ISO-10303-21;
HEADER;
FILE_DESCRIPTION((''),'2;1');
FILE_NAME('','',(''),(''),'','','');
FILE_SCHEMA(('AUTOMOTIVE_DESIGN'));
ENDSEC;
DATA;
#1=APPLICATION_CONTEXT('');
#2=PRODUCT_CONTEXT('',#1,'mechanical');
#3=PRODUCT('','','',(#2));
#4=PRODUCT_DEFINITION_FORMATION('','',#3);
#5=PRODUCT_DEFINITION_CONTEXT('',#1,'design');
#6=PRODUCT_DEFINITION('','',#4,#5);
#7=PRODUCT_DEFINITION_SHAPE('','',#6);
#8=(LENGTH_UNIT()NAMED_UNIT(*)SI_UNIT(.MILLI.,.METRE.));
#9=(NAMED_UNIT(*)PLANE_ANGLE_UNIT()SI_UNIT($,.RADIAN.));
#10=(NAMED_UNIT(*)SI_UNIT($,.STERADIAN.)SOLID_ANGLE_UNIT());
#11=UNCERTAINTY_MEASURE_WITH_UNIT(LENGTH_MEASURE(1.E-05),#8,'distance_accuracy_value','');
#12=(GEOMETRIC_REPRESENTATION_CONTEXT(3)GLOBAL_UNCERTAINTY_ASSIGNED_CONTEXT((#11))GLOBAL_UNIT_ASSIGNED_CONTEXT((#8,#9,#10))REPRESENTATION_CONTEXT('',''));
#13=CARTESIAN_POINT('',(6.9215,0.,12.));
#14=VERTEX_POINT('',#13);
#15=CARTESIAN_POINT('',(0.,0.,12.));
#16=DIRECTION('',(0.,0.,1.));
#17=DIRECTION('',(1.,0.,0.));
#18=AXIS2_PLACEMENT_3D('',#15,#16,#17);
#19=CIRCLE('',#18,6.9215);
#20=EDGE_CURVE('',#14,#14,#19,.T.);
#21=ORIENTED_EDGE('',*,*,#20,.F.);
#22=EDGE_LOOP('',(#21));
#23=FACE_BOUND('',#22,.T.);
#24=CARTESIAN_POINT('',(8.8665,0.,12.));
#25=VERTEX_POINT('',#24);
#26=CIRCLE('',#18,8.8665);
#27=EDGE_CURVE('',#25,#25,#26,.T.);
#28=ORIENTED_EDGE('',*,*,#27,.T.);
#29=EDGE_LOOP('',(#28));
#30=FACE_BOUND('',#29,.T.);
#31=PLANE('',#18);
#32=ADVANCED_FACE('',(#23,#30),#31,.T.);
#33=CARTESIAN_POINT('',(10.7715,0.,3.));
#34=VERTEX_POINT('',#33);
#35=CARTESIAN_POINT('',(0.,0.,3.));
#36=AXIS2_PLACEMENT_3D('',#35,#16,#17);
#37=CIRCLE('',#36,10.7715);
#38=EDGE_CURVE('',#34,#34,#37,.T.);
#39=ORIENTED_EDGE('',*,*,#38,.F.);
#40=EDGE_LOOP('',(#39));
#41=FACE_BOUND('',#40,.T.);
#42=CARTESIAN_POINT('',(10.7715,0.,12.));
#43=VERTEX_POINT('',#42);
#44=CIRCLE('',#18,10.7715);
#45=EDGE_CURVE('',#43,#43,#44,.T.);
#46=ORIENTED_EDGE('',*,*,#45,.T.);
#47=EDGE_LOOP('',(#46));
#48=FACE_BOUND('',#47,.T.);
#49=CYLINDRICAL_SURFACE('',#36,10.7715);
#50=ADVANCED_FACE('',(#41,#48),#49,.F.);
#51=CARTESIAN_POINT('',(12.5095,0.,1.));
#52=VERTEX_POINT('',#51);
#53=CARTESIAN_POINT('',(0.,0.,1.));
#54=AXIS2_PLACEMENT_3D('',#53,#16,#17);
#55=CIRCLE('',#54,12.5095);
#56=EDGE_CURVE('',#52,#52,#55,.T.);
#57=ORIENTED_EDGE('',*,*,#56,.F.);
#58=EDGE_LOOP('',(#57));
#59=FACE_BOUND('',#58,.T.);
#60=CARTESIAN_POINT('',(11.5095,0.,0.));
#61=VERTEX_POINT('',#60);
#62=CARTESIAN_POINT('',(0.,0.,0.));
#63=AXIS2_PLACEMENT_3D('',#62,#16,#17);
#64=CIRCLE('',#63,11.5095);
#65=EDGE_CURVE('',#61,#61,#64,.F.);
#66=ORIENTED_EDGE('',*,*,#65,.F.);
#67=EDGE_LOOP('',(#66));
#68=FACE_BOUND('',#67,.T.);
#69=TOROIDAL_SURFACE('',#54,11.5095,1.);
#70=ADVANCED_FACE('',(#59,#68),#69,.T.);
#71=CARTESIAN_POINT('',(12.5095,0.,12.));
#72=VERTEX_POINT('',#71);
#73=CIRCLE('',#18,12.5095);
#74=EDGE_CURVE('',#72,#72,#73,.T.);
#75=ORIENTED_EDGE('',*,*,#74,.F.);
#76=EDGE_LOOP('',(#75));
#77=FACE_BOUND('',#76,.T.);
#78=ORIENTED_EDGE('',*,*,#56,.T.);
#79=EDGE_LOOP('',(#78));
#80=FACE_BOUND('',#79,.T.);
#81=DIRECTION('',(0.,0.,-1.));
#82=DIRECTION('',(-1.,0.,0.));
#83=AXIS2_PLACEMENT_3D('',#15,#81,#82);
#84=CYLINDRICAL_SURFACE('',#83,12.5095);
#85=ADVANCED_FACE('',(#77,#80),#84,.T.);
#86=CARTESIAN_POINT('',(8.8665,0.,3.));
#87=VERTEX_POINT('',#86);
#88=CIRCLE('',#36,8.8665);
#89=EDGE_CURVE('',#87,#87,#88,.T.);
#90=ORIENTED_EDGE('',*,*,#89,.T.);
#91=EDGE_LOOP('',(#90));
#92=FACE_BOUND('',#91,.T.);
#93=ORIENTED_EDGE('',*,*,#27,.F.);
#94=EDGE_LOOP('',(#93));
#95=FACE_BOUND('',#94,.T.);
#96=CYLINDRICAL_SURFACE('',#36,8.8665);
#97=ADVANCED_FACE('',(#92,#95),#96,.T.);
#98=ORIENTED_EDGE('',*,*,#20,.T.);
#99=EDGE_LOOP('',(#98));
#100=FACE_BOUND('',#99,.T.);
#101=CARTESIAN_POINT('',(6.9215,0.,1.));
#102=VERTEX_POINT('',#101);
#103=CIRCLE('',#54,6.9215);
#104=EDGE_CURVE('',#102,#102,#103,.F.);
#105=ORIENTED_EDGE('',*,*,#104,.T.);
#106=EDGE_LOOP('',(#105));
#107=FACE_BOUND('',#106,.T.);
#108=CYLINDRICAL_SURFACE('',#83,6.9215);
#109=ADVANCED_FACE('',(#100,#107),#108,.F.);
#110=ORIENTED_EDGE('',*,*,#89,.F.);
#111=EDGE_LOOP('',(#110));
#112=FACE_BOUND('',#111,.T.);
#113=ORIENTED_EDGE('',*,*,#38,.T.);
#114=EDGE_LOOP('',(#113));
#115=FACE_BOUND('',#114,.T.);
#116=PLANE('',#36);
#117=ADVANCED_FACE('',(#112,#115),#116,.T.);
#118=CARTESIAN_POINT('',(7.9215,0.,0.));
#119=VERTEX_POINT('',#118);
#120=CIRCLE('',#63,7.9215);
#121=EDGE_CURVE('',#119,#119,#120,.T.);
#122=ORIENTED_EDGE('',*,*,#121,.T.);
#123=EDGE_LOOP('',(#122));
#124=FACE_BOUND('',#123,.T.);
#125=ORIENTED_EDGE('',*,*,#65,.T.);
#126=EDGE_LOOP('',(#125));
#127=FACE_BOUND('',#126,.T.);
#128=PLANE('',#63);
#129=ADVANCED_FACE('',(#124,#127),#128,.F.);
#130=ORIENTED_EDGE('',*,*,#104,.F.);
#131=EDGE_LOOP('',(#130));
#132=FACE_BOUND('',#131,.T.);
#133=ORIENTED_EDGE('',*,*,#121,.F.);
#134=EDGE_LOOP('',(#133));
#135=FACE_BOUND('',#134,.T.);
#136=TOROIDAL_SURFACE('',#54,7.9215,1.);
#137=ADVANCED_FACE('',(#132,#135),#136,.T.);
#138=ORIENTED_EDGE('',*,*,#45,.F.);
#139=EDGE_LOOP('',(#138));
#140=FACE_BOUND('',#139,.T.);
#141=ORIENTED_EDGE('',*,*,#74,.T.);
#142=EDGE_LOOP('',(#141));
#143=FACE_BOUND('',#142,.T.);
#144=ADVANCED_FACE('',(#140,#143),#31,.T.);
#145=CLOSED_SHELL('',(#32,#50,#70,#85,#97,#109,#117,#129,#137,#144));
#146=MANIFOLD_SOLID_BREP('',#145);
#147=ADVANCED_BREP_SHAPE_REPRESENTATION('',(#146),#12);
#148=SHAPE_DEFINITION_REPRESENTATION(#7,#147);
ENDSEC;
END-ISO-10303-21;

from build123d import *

# Parameters (mm, degrees)
SKETCH1_R           = 12.5095
SKETCH1_R_2         = 6.9215
BOSS_EXTRUDE1_DEPTH = 12
FILLET1_R           = 1
SKETCH2_R           = 10.7715
SKETCH2_R_2         = 8.8665
CUT_EXTRUDE1_DEPTH  = 9


with BuildPart() as part:
    # Sketch1 → Boss-Extrude1 (new body)
    with BuildSketch(Plane.XY):
        Circle(SKETCH1_R)
        Circle(SKETCH1_R_2, mode=Mode.SUBTRACT)
    extrude(amount=BOSS_EXTRUDE1_DEPTH)

    # Fillet1
    fillet1_edges = [part.edges().sort_by_distance(p)[0] for p in [
        (-12.5095, 0, 0),
        (-6.9215, 0, 0),
    ]]
    fillet(fillet1_edges, radius=FILLET1_R)

    # Sketch2 → Cut-Extrude1 (cut)
    with BuildSketch(Plane.XY.offset(12)):
        Circle(SKETCH2_R)
        Circle(SKETCH2_R_2, mode=Mode.SUBTRACT)
    extrude(amount=-CUT_EXTRUDE1_DEPTH, mode=Mode.SUBTRACT)


solid = part.part
